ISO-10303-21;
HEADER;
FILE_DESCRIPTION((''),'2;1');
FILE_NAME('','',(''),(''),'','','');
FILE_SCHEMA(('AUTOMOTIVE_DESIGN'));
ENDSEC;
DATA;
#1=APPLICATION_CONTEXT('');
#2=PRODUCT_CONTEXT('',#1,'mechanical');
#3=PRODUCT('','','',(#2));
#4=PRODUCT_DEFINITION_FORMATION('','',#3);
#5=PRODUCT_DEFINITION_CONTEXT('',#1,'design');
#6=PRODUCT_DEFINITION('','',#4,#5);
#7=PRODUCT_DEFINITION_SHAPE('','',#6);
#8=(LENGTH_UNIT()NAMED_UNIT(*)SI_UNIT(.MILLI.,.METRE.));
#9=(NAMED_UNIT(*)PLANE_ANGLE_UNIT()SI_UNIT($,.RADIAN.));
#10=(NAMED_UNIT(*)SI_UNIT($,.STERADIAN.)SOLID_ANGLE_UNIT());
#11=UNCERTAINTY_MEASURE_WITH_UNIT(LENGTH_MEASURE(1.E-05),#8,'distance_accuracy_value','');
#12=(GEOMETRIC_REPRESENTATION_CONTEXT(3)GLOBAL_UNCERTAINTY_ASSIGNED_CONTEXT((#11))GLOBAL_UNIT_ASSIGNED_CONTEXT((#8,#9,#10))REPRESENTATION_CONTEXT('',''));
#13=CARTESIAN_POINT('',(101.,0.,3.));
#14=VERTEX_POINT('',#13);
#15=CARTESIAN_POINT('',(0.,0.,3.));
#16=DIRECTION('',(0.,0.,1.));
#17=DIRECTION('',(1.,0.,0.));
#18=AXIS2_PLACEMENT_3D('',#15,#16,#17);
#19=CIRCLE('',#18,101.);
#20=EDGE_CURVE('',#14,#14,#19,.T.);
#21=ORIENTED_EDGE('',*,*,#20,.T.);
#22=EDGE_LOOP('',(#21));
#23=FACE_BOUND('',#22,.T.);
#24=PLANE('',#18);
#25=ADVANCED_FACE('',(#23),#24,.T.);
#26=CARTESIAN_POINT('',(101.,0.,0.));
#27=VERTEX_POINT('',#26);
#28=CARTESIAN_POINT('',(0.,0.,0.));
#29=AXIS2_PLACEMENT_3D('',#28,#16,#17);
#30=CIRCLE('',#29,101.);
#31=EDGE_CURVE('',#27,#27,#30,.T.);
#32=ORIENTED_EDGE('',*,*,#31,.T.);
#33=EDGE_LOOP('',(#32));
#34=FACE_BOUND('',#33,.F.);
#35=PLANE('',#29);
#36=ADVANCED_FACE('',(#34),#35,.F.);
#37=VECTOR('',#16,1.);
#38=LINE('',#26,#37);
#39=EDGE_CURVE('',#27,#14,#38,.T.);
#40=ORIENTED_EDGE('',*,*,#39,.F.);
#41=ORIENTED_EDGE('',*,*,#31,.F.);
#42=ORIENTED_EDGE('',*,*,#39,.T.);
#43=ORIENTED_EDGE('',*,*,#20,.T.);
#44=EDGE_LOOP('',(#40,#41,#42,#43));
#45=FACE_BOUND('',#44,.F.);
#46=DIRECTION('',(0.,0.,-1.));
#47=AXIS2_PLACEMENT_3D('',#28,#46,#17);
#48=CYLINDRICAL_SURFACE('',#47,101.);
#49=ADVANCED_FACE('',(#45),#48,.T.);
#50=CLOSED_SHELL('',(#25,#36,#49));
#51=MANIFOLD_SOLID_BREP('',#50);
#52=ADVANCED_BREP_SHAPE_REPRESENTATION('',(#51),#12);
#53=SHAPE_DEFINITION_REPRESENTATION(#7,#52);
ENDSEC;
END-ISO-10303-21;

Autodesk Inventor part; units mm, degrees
ref_plane "YZ Plane" through (0, 0, 0) normal (1, 0, 0) x (0, 1, 0)
ref_plane "XZ Plane" through (0, 0, 0) normal (0, 1, 0) x (-1, 0, 0)
ref_plane "XY Plane" through (0, 0, 0) normal (0, 0, 1) x (1, 0, 0)
sketch "Sketch1" plane through (0, 0, 0) normal (0, 0, 1) x (1, 0, 0)
  line L0 (-95, -92.5) -> (95, 92.5) construction
  line L1 (95, -92.5) -> (-95, 92.5) construction
  circle A0 centre (0, 0) radius 101
  dimension "d0" = 190
  dimension "d1" = 185
  dimension "d4" = 202
extrude "Extrusion1" add sketch "Sketch1" along normal blind 3
properties part number "poly carbonate plate" material "Polycarbonate, Clear"
